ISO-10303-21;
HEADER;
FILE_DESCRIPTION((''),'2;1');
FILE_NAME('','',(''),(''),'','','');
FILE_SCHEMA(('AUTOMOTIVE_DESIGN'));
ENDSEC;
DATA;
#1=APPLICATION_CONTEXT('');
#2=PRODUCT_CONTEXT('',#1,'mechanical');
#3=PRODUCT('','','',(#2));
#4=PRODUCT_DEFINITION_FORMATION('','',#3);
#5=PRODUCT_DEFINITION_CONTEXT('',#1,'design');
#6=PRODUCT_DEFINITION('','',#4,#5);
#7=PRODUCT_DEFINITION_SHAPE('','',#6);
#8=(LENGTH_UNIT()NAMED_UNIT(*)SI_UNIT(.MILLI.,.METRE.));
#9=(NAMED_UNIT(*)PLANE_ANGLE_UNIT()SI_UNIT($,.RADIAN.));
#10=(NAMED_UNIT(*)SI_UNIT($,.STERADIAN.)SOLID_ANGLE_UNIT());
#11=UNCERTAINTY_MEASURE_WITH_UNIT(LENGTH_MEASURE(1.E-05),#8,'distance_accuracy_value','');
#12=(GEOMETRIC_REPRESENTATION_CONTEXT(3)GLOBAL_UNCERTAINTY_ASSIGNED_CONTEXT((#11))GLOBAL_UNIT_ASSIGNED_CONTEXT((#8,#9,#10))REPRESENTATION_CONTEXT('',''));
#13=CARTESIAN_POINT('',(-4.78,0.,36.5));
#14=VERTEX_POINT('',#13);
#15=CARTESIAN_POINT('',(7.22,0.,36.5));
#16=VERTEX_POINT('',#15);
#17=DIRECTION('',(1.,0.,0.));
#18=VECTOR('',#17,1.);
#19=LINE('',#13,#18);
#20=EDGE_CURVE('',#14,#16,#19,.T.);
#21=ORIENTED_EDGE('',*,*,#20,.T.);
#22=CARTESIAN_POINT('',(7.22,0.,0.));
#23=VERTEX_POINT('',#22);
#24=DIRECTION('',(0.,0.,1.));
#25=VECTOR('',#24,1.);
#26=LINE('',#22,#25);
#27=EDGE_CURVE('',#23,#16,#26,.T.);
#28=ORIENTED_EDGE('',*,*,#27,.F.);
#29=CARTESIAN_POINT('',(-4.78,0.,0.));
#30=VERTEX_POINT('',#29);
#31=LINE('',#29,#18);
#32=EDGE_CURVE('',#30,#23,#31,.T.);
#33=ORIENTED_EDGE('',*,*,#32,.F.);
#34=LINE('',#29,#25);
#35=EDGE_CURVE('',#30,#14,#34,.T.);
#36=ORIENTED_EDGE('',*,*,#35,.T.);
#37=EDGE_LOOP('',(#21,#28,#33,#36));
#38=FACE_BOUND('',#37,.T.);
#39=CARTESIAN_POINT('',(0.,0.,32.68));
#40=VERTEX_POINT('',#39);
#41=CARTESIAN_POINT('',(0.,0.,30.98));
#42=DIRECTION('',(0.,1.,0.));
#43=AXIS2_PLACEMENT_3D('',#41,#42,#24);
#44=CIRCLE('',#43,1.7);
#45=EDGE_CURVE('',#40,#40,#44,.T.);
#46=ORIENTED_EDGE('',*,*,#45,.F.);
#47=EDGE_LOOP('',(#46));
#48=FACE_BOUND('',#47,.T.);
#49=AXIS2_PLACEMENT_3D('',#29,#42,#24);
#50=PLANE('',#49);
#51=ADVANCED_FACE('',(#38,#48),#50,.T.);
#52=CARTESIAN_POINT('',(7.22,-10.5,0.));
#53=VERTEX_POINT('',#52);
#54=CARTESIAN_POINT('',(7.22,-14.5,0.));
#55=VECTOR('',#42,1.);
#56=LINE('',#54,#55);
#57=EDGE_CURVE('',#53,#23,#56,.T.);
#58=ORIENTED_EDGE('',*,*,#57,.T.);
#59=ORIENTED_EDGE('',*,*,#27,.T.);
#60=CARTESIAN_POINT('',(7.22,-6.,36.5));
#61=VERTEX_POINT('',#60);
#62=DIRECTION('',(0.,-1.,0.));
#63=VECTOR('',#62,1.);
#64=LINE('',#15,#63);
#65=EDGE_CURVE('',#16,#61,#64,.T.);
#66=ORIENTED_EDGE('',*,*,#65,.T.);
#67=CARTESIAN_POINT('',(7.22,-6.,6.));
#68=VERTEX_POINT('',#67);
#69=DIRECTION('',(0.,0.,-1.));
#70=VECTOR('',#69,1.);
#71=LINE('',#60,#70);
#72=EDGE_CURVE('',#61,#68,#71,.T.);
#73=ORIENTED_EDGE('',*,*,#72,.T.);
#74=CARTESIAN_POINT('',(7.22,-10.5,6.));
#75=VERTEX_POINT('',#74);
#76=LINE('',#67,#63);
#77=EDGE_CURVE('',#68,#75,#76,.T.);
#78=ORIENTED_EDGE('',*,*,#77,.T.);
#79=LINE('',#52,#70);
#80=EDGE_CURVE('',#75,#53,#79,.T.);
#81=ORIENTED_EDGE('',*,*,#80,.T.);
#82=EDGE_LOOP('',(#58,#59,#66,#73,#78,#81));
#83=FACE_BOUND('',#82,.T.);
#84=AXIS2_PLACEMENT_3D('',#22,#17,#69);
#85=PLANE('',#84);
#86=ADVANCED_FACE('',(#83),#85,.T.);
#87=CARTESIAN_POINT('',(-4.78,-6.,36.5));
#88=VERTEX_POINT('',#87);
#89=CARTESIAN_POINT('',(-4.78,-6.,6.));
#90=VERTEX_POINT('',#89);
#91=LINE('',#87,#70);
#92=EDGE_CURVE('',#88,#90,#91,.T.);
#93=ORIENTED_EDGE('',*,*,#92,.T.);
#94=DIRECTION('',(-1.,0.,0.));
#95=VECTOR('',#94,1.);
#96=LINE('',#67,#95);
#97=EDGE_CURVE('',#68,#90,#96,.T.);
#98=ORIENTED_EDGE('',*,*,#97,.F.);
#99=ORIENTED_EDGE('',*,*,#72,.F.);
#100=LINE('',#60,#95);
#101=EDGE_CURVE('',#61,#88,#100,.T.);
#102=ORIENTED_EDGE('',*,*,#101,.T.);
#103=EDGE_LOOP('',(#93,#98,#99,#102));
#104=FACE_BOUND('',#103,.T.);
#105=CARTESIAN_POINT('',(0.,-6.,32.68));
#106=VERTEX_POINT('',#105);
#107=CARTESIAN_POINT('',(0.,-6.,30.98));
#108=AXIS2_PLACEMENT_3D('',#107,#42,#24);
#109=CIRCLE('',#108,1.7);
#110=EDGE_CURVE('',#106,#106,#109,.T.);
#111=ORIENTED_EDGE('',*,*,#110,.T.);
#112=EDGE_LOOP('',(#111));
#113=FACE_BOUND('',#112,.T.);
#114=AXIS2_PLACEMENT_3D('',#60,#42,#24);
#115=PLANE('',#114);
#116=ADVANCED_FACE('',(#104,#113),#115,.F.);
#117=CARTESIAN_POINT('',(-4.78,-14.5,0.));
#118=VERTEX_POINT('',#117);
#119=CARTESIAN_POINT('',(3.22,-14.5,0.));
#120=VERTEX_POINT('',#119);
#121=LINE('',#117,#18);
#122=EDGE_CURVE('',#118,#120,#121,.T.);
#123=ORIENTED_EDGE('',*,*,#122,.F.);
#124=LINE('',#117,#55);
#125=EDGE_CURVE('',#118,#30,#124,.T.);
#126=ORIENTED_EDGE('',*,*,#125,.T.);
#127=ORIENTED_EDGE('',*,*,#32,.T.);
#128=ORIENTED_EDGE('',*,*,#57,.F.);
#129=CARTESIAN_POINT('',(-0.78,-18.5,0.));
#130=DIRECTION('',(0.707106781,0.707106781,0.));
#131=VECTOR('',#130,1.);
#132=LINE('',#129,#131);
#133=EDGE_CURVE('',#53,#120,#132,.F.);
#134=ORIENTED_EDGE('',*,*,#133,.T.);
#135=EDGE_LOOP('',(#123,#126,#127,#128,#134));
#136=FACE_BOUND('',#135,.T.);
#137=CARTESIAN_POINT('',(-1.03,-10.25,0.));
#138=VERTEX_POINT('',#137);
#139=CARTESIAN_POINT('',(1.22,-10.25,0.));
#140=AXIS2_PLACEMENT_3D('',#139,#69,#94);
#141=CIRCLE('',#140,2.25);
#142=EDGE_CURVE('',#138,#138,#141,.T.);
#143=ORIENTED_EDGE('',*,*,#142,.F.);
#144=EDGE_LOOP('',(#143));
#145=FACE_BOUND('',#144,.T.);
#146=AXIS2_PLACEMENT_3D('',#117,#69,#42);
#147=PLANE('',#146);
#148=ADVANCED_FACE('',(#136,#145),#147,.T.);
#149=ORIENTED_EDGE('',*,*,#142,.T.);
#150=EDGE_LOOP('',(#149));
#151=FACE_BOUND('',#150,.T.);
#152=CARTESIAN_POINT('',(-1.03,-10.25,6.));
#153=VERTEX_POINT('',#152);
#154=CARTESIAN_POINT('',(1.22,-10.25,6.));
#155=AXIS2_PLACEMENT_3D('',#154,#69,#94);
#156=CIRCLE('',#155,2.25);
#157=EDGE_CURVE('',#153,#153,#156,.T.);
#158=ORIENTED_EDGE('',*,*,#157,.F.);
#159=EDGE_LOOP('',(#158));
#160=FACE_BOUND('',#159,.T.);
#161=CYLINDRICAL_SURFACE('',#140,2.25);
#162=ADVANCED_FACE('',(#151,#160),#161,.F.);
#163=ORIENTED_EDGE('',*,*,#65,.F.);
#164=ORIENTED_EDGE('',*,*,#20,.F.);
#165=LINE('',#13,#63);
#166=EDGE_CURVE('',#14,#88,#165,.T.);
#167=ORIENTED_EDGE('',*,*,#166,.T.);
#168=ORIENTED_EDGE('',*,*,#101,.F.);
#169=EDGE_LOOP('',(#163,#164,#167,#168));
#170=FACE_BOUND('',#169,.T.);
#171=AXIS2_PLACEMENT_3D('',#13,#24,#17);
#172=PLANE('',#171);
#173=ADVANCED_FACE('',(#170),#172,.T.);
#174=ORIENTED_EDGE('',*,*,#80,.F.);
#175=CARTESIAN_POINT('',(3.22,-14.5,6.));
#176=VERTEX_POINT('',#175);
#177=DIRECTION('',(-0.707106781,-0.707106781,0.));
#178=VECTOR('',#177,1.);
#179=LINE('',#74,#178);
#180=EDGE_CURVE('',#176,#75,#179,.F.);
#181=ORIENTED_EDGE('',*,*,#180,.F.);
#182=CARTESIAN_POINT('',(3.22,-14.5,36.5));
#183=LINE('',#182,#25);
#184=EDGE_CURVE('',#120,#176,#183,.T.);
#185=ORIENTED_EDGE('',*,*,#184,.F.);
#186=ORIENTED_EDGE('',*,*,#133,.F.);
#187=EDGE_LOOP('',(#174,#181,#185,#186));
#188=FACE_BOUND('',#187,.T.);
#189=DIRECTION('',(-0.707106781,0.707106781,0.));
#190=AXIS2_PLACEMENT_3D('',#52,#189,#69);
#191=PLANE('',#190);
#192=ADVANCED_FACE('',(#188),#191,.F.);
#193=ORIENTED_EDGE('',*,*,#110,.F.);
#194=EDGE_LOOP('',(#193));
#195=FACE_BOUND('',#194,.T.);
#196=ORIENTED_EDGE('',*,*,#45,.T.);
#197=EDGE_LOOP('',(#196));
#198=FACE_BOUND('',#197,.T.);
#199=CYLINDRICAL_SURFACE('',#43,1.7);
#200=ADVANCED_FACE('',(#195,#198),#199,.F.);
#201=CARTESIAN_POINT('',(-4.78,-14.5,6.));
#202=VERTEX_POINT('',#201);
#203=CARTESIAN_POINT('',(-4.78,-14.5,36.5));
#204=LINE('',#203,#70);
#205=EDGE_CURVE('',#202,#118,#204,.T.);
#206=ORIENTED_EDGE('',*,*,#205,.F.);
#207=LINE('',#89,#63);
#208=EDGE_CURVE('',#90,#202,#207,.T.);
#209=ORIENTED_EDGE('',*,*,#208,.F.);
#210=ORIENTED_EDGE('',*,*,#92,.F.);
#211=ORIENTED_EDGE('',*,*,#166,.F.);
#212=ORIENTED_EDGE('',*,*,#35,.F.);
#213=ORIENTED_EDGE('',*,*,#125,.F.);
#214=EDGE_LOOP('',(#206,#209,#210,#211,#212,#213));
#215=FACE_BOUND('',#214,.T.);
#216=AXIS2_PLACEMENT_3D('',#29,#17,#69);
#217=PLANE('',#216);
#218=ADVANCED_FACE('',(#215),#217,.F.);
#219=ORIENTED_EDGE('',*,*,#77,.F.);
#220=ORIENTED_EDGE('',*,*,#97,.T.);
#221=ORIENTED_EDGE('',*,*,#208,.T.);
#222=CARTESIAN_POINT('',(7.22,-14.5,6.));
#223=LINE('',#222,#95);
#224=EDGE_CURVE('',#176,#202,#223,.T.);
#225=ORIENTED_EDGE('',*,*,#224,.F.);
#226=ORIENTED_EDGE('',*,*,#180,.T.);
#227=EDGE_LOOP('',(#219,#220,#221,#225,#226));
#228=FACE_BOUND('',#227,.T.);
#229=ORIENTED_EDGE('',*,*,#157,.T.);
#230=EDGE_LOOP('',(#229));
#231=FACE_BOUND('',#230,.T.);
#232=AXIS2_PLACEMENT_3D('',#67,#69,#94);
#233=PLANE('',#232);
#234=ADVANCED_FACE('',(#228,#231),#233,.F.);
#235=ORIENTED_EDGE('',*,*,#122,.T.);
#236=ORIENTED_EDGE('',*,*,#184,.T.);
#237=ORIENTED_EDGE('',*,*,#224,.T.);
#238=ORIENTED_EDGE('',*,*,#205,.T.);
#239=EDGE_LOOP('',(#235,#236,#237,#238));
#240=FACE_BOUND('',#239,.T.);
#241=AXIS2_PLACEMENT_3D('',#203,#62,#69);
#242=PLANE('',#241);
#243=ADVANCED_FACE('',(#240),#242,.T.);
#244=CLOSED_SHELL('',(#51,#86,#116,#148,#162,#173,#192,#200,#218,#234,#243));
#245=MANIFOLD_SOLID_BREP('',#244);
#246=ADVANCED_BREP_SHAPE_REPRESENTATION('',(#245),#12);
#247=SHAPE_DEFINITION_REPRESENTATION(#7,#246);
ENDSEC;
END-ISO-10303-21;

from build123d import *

# Parameters (mm, degrees)
SKETCH1_W                      = 36.5
SKETCH1_H                      = 14.5
BOSS_EXTRUDE1_DEPTH            = 12
SKETCH2_W                      = 30.5
SKETCH2_H                      = 8.5
CUT_EXTRUDE1_DEPTH             = 42.067018397
F_4_5_4_5_DIAMETER_HOLE1_D     = 4.5
F_4_5_4_5_DIAMETER_HOLE1_DEPTH = 36.5
F_3_4_3_4_DIAMETER_HOLE1_D     = 3.4
F_3_4_3_4_DIAMETER_HOLE1_DEPTH = 14.5
CHAMFER1_SIZE                  = 4


with BuildPart() as part:
    # Sketch1 → Boss-Extrude1 (new body)
    with BuildSketch(Plane(origin=(7.22, 0, 0), x_dir=(0, 0, -1), z_dir=(1, 0, 0))):
        with Locations((-18.25, -7.25)):
            Rectangle(SKETCH1_W, SKETCH1_H)
    extrude(amount=-BOSS_EXTRUDE1_DEPTH)

    # Sketch2 → Cut-Extrude1 (cut, through all)
    with BuildSketch(Plane.ZY.offset(4.78)):
        with Locations((21.25, -10.25)):
            Rectangle(SKETCH2_W, SKETCH2_H)
    extrude(amount=-CUT_EXTRUDE1_DEPTH, mode=Mode.SUBTRACT)

    # Ø4.5 (4.5) Diameter Hole1
    with Locations(Plane(origin=(0, 0, 0), x_dir=(-1, 0, 0), z_dir=(0, 0, -1))):
        with Locations((-1.22, -10.25)):
            Hole(F_4_5_4_5_DIAMETER_HOLE1_D / 2, depth=F_4_5_4_5_DIAMETER_HOLE1_DEPTH)

    # Ø3.4 (3.4) Diameter Hole1
    with Locations(Plane(origin=(0, 0, 0), x_dir=(1, 0, 0), z_dir=(0, 1, 0))):
        with Locations((0, -30.98)):
            Hole(F_3_4_3_4_DIAMETER_HOLE1_D / 2, depth=F_3_4_3_4_DIAMETER_HOLE1_DEPTH)

    # Chamfer1
    chamfer1_edges = [part.edges().sort_by_distance(p)[0] for p in [
        (7.22, -14.5, 3),
    ]]
    chamfer(chamfer1_edges, length=CHAMFER1_SIZE)


solid = part.part
